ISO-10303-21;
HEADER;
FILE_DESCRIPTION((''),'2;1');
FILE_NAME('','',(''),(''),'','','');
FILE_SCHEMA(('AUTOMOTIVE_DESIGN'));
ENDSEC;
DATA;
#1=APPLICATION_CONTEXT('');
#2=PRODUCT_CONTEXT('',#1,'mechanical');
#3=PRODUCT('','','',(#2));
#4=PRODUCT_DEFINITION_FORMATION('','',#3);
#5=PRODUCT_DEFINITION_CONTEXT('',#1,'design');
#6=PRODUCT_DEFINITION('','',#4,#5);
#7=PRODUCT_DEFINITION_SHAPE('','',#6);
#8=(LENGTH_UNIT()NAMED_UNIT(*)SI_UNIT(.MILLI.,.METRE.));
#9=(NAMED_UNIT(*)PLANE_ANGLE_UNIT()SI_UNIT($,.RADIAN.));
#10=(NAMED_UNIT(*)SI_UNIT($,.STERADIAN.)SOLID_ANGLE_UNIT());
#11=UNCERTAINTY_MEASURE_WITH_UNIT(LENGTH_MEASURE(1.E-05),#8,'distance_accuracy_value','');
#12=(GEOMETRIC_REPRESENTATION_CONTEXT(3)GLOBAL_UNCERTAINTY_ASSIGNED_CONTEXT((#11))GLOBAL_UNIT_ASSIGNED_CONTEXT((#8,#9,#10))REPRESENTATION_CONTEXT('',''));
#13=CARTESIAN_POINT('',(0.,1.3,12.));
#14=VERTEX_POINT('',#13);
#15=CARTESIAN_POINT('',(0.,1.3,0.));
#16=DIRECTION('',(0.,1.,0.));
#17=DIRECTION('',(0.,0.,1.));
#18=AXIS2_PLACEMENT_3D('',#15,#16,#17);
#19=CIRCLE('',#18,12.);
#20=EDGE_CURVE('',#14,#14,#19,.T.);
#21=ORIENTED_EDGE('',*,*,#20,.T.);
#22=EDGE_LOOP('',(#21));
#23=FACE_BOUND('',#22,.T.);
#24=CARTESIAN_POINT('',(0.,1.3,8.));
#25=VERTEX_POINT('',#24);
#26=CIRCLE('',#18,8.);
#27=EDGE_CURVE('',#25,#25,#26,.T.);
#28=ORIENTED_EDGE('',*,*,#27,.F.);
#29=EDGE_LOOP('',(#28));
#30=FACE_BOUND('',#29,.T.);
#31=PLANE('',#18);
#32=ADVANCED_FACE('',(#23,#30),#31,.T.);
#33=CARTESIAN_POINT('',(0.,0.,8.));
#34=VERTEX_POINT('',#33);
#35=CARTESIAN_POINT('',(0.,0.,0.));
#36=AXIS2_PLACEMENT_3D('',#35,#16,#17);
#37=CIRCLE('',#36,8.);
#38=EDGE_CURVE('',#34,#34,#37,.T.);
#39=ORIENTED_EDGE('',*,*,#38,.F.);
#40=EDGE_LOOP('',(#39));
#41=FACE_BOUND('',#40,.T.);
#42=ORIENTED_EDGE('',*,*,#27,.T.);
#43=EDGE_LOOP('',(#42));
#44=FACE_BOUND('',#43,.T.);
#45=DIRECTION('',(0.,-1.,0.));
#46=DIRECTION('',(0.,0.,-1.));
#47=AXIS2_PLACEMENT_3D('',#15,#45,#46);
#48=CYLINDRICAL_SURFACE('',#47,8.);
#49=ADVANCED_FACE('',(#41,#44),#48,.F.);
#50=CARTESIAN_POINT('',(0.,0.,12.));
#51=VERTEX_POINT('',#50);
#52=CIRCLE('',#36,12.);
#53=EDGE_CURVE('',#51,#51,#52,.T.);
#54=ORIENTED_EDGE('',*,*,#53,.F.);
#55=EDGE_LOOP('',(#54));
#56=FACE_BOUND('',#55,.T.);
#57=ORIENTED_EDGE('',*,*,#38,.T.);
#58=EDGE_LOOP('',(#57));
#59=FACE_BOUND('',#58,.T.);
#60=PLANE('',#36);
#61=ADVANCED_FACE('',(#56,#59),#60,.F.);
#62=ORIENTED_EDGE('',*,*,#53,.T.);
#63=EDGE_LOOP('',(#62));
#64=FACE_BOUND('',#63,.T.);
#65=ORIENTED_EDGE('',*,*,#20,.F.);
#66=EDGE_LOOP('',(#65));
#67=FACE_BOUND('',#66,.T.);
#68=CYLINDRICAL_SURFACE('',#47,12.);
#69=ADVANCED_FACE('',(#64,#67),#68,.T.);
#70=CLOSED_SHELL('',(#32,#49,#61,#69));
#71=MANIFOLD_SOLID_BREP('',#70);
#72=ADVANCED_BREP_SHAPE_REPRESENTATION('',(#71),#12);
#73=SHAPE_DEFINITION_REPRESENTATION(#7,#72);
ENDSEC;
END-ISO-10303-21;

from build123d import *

# Parameters (mm, degrees)
SKETCH1_R           = 12
SKETCH1_R_2         = 8
BOSS_EXTRUDE1_DEPTH = 1.3


with BuildPart() as part:
    # Sketch1 → Boss-Extrude1 (new body)
    with BuildSketch(Plane(origin=(0, 0, 0), x_dir=(1, 0, 0), z_dir=(0, 1, 0))):
        Circle(SKETCH1_R)
        Circle(SKETCH1_R_2, mode=Mode.SUBTRACT)
    extrude(amount=BOSS_EXTRUDE1_DEPTH)


solid = part.part
